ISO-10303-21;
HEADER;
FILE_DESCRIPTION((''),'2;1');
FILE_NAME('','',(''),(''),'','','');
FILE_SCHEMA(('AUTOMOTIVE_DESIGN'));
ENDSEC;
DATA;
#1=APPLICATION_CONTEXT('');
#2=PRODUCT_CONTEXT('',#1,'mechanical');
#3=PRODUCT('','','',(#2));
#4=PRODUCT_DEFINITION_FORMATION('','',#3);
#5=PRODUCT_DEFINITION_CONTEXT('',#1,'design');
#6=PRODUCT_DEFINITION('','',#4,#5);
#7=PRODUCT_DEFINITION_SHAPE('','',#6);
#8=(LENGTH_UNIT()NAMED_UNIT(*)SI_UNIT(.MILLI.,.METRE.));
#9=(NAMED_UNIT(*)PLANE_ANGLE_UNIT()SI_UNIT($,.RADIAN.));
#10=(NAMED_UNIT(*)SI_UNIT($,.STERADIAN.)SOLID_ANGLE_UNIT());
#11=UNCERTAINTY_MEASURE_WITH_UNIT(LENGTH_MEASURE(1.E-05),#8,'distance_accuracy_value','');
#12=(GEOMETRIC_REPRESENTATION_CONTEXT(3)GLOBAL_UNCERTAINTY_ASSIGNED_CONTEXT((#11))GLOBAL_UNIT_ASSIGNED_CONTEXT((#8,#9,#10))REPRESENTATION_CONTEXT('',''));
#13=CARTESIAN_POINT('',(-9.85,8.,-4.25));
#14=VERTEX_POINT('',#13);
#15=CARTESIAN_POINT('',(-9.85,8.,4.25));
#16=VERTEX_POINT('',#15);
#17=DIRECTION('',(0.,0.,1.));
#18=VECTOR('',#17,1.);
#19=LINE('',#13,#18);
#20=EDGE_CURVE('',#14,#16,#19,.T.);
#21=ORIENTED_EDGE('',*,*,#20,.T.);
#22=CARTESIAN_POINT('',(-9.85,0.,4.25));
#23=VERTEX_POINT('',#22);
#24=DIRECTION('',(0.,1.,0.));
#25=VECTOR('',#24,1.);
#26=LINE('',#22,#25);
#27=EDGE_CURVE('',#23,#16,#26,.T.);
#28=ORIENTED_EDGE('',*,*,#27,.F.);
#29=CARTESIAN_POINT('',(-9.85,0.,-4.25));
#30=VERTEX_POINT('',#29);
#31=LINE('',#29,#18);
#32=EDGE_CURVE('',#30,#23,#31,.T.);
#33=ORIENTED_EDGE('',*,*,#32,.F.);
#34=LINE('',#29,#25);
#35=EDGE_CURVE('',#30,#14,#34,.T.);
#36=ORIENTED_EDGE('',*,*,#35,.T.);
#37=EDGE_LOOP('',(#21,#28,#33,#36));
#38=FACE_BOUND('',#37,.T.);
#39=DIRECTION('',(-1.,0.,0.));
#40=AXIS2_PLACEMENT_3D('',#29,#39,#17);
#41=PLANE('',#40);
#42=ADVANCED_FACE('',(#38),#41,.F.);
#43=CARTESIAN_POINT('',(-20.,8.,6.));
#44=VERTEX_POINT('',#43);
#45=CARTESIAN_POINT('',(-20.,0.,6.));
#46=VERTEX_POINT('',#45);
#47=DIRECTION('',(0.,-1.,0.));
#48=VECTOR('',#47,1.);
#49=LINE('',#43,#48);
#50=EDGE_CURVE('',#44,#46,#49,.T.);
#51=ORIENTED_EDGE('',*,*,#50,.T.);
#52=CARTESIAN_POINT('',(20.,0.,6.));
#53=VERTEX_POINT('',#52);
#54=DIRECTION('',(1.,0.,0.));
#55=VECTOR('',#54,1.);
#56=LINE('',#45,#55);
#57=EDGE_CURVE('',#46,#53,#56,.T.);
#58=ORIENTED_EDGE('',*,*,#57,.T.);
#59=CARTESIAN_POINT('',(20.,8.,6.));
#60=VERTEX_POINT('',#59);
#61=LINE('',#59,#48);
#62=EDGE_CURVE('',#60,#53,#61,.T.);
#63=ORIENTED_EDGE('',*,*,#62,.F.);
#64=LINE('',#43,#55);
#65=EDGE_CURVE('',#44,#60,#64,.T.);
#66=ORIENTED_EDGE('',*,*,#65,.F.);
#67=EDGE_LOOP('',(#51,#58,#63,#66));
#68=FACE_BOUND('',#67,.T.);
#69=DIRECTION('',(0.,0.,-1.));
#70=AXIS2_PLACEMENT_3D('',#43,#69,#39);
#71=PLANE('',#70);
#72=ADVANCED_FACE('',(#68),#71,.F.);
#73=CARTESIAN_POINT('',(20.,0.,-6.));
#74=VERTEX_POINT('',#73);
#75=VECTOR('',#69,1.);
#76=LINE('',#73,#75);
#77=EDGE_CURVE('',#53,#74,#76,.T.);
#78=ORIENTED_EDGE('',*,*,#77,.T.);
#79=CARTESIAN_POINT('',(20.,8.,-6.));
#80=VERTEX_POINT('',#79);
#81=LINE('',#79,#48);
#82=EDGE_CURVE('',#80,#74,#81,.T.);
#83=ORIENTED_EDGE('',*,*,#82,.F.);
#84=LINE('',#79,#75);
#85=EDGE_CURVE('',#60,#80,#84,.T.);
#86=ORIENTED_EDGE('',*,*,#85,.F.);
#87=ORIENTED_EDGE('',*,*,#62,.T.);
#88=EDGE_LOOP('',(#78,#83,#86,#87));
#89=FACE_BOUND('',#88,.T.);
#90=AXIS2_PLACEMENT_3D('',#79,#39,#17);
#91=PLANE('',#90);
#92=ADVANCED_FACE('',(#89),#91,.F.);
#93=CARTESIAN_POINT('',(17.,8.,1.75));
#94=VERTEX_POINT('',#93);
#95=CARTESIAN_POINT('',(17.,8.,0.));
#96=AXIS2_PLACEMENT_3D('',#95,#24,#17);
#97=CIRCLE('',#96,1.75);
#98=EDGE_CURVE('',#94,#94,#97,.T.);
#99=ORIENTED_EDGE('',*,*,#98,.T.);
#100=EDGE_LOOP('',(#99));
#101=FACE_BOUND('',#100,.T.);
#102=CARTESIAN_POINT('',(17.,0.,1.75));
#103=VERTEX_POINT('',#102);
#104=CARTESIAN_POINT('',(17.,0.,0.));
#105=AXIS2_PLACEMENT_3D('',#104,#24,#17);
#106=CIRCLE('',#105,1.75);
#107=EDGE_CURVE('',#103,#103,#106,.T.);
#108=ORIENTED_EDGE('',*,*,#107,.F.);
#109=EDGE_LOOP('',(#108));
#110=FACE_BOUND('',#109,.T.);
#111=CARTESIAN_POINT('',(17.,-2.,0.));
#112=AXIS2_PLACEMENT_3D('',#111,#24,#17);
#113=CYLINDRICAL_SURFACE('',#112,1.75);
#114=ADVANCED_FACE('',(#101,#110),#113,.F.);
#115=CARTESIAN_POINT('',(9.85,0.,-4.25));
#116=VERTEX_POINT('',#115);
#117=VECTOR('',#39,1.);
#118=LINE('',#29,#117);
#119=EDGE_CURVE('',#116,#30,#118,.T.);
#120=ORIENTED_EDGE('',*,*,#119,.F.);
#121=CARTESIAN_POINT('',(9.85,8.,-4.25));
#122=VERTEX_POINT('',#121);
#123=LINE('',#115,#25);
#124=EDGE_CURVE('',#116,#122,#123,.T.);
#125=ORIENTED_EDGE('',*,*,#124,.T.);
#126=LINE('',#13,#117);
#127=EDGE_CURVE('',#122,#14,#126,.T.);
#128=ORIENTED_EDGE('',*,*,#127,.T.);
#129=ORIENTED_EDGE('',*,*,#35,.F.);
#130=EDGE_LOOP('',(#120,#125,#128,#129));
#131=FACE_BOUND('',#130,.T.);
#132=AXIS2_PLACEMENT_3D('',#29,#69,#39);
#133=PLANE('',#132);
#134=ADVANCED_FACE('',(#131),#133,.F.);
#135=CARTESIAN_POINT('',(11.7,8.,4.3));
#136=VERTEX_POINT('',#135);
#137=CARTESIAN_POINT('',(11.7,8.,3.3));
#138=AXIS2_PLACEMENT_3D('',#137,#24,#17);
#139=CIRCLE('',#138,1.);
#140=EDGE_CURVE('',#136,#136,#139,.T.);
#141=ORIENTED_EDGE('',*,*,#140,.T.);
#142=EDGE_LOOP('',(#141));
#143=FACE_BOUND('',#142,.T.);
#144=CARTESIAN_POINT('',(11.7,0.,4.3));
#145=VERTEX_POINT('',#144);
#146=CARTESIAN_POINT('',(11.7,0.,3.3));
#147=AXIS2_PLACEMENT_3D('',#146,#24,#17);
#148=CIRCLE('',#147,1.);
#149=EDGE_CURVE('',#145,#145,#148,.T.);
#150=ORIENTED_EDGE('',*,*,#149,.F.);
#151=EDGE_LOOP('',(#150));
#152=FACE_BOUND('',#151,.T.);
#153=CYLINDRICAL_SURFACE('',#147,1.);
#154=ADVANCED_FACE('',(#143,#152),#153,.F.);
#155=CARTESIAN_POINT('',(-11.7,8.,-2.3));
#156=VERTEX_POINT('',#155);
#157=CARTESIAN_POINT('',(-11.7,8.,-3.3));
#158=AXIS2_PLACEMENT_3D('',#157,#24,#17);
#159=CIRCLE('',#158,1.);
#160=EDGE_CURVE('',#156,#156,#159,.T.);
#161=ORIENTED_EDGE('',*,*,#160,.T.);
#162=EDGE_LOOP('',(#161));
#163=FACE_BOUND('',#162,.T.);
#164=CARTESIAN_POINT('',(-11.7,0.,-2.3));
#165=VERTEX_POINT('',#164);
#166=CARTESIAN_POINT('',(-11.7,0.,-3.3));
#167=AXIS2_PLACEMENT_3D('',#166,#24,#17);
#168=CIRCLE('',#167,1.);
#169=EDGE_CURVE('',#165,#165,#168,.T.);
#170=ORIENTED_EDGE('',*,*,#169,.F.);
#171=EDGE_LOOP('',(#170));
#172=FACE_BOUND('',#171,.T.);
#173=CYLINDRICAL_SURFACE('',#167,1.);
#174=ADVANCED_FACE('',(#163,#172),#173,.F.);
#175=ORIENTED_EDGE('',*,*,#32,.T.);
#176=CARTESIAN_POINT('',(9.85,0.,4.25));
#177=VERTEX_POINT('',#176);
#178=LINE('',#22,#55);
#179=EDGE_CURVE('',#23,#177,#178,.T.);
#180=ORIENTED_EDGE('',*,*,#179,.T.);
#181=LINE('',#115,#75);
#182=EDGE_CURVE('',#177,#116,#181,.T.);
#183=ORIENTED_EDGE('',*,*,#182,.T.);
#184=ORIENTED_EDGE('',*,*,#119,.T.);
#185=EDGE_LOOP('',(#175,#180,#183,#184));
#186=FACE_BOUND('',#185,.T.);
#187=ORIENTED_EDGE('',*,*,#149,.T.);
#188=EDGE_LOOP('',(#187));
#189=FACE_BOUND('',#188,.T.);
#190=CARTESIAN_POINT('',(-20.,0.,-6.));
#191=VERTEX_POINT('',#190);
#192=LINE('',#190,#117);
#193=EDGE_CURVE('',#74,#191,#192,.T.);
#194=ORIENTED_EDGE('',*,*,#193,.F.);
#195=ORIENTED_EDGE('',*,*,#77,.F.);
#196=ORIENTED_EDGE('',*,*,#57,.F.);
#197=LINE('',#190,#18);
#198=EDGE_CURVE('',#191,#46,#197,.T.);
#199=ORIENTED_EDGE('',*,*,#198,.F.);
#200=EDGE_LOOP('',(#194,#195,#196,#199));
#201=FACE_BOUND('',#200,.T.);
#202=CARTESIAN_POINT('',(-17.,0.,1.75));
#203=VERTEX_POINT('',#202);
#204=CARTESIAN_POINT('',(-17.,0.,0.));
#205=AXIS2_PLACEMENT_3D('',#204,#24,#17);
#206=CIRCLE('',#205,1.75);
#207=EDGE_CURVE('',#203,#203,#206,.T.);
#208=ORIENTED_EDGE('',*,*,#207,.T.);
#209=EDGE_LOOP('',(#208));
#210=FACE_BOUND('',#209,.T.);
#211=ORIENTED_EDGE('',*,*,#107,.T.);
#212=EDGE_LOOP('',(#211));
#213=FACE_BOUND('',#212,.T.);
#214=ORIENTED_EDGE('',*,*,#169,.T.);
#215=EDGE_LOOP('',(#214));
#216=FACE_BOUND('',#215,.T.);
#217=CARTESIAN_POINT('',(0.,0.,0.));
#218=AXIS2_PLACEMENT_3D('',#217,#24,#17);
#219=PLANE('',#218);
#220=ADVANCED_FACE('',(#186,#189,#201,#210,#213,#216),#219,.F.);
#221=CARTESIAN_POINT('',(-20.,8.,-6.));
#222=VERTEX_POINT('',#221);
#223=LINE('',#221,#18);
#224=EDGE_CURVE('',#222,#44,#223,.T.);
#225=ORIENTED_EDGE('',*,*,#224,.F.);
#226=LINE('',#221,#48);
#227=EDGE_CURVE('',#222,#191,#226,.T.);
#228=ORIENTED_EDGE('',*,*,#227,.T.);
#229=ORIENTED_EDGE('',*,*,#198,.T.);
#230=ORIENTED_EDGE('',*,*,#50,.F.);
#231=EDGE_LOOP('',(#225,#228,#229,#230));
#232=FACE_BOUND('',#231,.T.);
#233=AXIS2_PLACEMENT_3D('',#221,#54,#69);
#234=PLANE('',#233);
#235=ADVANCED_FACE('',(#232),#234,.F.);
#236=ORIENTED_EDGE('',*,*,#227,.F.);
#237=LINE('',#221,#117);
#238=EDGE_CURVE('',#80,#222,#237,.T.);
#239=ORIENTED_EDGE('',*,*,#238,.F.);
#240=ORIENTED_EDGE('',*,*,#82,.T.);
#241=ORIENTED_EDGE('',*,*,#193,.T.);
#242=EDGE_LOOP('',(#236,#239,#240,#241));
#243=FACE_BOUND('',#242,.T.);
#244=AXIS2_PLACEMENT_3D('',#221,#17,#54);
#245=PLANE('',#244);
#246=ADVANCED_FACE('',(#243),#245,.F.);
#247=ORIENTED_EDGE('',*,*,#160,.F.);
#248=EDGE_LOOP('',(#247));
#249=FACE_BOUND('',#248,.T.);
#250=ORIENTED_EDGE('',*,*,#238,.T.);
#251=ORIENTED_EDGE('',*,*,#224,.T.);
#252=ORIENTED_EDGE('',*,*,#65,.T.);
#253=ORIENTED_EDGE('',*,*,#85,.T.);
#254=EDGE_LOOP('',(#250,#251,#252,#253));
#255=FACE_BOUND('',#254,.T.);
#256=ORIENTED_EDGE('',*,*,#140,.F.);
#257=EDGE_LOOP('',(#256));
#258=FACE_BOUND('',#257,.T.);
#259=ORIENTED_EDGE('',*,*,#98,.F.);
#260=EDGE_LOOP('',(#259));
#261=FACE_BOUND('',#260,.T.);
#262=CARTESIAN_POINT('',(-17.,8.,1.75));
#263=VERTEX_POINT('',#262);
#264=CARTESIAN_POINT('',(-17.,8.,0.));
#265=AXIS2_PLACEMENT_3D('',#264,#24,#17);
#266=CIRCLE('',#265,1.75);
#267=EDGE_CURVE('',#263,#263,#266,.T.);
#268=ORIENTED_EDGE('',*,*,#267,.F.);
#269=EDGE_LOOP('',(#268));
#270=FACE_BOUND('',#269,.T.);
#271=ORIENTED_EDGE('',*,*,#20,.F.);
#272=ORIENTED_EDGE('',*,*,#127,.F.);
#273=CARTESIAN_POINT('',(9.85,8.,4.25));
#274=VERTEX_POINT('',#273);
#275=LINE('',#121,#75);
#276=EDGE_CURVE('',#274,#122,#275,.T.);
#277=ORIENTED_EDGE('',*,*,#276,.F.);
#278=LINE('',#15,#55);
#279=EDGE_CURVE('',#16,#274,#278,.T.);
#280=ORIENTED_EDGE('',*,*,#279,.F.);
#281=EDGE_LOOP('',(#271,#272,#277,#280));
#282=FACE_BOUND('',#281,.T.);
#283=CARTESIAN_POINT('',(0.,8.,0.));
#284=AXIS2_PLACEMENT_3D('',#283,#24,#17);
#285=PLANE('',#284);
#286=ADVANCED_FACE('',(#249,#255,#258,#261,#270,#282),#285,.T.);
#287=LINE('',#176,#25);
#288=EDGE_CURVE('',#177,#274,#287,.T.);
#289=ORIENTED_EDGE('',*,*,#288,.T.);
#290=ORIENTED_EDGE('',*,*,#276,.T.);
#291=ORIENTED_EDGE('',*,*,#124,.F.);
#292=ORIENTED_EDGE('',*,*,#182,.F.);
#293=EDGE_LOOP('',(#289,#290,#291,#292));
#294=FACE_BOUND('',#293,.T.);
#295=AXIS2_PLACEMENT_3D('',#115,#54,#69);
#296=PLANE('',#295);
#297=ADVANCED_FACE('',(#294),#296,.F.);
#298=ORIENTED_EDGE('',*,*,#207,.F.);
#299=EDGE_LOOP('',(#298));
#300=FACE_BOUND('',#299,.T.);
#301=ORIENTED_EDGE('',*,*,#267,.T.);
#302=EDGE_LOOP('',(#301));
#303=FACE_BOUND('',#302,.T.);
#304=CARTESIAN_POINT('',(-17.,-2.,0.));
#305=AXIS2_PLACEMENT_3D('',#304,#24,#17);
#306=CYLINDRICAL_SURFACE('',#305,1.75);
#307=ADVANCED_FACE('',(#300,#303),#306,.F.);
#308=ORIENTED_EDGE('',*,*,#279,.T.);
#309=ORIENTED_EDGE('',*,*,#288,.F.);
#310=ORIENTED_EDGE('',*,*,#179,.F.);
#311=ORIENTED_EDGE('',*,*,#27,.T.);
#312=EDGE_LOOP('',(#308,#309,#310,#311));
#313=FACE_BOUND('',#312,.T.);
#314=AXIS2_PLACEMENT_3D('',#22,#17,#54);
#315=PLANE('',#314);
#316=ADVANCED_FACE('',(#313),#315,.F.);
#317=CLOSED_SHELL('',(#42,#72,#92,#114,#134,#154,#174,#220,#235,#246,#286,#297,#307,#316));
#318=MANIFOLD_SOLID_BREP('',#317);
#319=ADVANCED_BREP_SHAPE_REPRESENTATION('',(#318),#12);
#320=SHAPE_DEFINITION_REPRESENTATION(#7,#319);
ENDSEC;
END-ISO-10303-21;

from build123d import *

# Parameters (mm, degrees)
SKETCH_1_W          = 40
SKETCH_1_H          = 12
EXTRUDE_1_DEPTH     = 8
SKETCH_2_W          = 19.7
SKETCH_2_H          = 8.5
CUT_EXTRUDE_1_DEPTH = 8
SKETCH_3_R          = 1
CUT_EXTRUDE_2_DEPTH = 8
SKETCH_4_R          = 1.75
CUT_EXTRUDE_3_DEPTH = 10


with BuildPart() as part:
    # 스케치1 → 보스-돌출1 (new body)
    with BuildSketch(Plane(origin=(0, 0, 0), x_dir=(1, 0, 0), z_dir=(0, 1, 0))):
        Rectangle(SKETCH_1_W, SKETCH_1_H)
    extrude(amount=EXTRUDE_1_DEPTH)

    # 스케치2 → 컷-돌출1 (cut)
    with BuildSketch(Plane(origin=(0, 8, 0), x_dir=(1, 0, 0), z_dir=(0, 1, 0))):
        Rectangle(SKETCH_2_W, SKETCH_2_H)
    extrude(amount=-CUT_EXTRUDE_1_DEPTH, mode=Mode.SUBTRACT)

    # 스케치3 → 컷-돌출2 (cut)
    with BuildSketch(Plane(origin=(0, 8, 0), x_dir=(1, 0, 0), z_dir=(0, 1, 0))):
        with Locations((-11.7, 3.3)):
            Circle(SKETCH_3_R)
        with Locations((11.7, -3.3)):
            Circle(SKETCH_3_R)
    extrude(amount=-CUT_EXTRUDE_2_DEPTH, mode=Mode.SUBTRACT)

    # 스케치4 → 컷-돌출3 (cut)
    with BuildSketch(Plane(origin=(0, 8, 0), x_dir=(1, 0, 0), z_dir=(0, 1, 0))):
        with Locations((-17, 0)):
            Circle(SKETCH_4_R)
        with Locations((17, 0)):
            Circle(SKETCH_4_R)
    extrude(amount=-CUT_EXTRUDE_3_DEPTH, mode=Mode.SUBTRACT)


solid = part.part
